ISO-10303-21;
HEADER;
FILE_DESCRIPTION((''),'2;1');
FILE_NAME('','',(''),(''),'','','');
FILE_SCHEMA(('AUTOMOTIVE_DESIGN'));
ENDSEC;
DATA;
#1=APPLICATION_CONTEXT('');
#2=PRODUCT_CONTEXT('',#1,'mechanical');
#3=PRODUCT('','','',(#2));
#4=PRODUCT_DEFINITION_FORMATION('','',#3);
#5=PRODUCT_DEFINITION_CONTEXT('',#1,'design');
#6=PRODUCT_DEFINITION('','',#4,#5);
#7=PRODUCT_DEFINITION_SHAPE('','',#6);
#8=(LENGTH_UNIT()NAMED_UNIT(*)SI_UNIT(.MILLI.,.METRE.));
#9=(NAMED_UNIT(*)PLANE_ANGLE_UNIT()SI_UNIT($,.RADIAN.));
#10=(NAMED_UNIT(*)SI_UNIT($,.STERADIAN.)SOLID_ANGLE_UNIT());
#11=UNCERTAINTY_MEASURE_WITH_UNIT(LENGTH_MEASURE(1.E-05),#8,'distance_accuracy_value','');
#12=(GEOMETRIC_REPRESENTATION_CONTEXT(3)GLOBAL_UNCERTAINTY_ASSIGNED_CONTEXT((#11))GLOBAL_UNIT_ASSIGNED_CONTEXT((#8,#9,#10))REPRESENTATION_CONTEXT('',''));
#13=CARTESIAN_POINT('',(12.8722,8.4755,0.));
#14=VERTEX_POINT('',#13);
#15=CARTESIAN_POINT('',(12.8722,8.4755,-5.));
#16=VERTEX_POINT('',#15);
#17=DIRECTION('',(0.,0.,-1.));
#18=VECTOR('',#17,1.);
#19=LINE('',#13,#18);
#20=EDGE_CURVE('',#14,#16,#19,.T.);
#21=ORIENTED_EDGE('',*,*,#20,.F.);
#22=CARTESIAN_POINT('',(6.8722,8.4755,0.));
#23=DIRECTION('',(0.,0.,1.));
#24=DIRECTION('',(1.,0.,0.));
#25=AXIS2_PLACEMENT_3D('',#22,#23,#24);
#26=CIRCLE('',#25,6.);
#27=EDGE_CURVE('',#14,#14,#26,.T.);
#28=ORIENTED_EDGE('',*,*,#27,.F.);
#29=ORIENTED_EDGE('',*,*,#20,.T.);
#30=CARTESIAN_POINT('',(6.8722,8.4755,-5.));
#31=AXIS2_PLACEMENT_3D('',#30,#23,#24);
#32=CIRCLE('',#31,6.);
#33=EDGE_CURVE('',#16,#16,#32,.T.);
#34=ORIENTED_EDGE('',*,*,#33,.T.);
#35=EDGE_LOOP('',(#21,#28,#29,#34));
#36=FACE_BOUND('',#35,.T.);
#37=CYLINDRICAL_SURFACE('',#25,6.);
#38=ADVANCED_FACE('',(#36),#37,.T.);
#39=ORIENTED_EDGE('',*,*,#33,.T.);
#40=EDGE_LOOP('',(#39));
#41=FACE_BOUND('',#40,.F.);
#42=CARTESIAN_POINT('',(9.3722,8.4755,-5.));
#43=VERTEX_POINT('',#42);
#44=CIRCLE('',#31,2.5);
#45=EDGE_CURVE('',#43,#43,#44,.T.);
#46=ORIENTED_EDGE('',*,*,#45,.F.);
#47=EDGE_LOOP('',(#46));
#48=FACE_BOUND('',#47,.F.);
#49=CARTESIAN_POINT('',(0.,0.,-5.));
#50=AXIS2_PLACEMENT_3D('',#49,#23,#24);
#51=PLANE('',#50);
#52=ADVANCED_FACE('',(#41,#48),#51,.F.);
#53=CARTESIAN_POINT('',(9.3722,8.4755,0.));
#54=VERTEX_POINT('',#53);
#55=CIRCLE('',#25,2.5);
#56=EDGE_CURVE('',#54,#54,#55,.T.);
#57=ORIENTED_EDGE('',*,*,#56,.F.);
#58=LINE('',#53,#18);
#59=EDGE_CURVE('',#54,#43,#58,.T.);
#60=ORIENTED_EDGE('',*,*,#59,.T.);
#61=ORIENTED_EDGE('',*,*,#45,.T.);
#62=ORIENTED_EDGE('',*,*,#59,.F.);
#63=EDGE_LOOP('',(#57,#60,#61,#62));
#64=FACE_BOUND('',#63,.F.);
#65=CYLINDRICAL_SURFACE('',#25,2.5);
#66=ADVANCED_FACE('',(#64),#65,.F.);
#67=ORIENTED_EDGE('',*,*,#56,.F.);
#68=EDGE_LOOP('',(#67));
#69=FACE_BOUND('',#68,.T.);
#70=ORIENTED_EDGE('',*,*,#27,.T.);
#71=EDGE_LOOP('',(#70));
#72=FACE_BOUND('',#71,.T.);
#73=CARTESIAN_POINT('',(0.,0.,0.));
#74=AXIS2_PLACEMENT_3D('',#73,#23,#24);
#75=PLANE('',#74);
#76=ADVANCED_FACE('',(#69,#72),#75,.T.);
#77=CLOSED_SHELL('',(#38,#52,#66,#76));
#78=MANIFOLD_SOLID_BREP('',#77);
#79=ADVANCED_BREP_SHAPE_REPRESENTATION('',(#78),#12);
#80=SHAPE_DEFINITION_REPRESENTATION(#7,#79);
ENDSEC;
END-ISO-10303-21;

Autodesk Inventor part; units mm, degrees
ref_plane "YZ Plane" through (0, 0, 0) normal (1, 0, 0) x (0, 1, 0)
ref_plane "XZ Plane" through (0, 0, 0) normal (0, 1, 0) x (-1, 0, 0)
ref_plane "XY Plane" through (0, 0, 0) normal (0, 0, 1) x (1, 0, 0)
sketch "Эскиз1" plane through (0, 0, 0) normal (0, 0, 1) x (1, 0, 0)
  circle A0 centre (6.8722, 8.4755) radius 6
  circle A1 centre (6.8722, 8.4755) radius 2.5
  point P0 (0, 0)
  dimension "d5" = 5
  dimension "d6" = 12
extrude "Выдавливание1" add sketch "Эскиз1" against normal blind 5
properties part number "В.шарн. - ось"
